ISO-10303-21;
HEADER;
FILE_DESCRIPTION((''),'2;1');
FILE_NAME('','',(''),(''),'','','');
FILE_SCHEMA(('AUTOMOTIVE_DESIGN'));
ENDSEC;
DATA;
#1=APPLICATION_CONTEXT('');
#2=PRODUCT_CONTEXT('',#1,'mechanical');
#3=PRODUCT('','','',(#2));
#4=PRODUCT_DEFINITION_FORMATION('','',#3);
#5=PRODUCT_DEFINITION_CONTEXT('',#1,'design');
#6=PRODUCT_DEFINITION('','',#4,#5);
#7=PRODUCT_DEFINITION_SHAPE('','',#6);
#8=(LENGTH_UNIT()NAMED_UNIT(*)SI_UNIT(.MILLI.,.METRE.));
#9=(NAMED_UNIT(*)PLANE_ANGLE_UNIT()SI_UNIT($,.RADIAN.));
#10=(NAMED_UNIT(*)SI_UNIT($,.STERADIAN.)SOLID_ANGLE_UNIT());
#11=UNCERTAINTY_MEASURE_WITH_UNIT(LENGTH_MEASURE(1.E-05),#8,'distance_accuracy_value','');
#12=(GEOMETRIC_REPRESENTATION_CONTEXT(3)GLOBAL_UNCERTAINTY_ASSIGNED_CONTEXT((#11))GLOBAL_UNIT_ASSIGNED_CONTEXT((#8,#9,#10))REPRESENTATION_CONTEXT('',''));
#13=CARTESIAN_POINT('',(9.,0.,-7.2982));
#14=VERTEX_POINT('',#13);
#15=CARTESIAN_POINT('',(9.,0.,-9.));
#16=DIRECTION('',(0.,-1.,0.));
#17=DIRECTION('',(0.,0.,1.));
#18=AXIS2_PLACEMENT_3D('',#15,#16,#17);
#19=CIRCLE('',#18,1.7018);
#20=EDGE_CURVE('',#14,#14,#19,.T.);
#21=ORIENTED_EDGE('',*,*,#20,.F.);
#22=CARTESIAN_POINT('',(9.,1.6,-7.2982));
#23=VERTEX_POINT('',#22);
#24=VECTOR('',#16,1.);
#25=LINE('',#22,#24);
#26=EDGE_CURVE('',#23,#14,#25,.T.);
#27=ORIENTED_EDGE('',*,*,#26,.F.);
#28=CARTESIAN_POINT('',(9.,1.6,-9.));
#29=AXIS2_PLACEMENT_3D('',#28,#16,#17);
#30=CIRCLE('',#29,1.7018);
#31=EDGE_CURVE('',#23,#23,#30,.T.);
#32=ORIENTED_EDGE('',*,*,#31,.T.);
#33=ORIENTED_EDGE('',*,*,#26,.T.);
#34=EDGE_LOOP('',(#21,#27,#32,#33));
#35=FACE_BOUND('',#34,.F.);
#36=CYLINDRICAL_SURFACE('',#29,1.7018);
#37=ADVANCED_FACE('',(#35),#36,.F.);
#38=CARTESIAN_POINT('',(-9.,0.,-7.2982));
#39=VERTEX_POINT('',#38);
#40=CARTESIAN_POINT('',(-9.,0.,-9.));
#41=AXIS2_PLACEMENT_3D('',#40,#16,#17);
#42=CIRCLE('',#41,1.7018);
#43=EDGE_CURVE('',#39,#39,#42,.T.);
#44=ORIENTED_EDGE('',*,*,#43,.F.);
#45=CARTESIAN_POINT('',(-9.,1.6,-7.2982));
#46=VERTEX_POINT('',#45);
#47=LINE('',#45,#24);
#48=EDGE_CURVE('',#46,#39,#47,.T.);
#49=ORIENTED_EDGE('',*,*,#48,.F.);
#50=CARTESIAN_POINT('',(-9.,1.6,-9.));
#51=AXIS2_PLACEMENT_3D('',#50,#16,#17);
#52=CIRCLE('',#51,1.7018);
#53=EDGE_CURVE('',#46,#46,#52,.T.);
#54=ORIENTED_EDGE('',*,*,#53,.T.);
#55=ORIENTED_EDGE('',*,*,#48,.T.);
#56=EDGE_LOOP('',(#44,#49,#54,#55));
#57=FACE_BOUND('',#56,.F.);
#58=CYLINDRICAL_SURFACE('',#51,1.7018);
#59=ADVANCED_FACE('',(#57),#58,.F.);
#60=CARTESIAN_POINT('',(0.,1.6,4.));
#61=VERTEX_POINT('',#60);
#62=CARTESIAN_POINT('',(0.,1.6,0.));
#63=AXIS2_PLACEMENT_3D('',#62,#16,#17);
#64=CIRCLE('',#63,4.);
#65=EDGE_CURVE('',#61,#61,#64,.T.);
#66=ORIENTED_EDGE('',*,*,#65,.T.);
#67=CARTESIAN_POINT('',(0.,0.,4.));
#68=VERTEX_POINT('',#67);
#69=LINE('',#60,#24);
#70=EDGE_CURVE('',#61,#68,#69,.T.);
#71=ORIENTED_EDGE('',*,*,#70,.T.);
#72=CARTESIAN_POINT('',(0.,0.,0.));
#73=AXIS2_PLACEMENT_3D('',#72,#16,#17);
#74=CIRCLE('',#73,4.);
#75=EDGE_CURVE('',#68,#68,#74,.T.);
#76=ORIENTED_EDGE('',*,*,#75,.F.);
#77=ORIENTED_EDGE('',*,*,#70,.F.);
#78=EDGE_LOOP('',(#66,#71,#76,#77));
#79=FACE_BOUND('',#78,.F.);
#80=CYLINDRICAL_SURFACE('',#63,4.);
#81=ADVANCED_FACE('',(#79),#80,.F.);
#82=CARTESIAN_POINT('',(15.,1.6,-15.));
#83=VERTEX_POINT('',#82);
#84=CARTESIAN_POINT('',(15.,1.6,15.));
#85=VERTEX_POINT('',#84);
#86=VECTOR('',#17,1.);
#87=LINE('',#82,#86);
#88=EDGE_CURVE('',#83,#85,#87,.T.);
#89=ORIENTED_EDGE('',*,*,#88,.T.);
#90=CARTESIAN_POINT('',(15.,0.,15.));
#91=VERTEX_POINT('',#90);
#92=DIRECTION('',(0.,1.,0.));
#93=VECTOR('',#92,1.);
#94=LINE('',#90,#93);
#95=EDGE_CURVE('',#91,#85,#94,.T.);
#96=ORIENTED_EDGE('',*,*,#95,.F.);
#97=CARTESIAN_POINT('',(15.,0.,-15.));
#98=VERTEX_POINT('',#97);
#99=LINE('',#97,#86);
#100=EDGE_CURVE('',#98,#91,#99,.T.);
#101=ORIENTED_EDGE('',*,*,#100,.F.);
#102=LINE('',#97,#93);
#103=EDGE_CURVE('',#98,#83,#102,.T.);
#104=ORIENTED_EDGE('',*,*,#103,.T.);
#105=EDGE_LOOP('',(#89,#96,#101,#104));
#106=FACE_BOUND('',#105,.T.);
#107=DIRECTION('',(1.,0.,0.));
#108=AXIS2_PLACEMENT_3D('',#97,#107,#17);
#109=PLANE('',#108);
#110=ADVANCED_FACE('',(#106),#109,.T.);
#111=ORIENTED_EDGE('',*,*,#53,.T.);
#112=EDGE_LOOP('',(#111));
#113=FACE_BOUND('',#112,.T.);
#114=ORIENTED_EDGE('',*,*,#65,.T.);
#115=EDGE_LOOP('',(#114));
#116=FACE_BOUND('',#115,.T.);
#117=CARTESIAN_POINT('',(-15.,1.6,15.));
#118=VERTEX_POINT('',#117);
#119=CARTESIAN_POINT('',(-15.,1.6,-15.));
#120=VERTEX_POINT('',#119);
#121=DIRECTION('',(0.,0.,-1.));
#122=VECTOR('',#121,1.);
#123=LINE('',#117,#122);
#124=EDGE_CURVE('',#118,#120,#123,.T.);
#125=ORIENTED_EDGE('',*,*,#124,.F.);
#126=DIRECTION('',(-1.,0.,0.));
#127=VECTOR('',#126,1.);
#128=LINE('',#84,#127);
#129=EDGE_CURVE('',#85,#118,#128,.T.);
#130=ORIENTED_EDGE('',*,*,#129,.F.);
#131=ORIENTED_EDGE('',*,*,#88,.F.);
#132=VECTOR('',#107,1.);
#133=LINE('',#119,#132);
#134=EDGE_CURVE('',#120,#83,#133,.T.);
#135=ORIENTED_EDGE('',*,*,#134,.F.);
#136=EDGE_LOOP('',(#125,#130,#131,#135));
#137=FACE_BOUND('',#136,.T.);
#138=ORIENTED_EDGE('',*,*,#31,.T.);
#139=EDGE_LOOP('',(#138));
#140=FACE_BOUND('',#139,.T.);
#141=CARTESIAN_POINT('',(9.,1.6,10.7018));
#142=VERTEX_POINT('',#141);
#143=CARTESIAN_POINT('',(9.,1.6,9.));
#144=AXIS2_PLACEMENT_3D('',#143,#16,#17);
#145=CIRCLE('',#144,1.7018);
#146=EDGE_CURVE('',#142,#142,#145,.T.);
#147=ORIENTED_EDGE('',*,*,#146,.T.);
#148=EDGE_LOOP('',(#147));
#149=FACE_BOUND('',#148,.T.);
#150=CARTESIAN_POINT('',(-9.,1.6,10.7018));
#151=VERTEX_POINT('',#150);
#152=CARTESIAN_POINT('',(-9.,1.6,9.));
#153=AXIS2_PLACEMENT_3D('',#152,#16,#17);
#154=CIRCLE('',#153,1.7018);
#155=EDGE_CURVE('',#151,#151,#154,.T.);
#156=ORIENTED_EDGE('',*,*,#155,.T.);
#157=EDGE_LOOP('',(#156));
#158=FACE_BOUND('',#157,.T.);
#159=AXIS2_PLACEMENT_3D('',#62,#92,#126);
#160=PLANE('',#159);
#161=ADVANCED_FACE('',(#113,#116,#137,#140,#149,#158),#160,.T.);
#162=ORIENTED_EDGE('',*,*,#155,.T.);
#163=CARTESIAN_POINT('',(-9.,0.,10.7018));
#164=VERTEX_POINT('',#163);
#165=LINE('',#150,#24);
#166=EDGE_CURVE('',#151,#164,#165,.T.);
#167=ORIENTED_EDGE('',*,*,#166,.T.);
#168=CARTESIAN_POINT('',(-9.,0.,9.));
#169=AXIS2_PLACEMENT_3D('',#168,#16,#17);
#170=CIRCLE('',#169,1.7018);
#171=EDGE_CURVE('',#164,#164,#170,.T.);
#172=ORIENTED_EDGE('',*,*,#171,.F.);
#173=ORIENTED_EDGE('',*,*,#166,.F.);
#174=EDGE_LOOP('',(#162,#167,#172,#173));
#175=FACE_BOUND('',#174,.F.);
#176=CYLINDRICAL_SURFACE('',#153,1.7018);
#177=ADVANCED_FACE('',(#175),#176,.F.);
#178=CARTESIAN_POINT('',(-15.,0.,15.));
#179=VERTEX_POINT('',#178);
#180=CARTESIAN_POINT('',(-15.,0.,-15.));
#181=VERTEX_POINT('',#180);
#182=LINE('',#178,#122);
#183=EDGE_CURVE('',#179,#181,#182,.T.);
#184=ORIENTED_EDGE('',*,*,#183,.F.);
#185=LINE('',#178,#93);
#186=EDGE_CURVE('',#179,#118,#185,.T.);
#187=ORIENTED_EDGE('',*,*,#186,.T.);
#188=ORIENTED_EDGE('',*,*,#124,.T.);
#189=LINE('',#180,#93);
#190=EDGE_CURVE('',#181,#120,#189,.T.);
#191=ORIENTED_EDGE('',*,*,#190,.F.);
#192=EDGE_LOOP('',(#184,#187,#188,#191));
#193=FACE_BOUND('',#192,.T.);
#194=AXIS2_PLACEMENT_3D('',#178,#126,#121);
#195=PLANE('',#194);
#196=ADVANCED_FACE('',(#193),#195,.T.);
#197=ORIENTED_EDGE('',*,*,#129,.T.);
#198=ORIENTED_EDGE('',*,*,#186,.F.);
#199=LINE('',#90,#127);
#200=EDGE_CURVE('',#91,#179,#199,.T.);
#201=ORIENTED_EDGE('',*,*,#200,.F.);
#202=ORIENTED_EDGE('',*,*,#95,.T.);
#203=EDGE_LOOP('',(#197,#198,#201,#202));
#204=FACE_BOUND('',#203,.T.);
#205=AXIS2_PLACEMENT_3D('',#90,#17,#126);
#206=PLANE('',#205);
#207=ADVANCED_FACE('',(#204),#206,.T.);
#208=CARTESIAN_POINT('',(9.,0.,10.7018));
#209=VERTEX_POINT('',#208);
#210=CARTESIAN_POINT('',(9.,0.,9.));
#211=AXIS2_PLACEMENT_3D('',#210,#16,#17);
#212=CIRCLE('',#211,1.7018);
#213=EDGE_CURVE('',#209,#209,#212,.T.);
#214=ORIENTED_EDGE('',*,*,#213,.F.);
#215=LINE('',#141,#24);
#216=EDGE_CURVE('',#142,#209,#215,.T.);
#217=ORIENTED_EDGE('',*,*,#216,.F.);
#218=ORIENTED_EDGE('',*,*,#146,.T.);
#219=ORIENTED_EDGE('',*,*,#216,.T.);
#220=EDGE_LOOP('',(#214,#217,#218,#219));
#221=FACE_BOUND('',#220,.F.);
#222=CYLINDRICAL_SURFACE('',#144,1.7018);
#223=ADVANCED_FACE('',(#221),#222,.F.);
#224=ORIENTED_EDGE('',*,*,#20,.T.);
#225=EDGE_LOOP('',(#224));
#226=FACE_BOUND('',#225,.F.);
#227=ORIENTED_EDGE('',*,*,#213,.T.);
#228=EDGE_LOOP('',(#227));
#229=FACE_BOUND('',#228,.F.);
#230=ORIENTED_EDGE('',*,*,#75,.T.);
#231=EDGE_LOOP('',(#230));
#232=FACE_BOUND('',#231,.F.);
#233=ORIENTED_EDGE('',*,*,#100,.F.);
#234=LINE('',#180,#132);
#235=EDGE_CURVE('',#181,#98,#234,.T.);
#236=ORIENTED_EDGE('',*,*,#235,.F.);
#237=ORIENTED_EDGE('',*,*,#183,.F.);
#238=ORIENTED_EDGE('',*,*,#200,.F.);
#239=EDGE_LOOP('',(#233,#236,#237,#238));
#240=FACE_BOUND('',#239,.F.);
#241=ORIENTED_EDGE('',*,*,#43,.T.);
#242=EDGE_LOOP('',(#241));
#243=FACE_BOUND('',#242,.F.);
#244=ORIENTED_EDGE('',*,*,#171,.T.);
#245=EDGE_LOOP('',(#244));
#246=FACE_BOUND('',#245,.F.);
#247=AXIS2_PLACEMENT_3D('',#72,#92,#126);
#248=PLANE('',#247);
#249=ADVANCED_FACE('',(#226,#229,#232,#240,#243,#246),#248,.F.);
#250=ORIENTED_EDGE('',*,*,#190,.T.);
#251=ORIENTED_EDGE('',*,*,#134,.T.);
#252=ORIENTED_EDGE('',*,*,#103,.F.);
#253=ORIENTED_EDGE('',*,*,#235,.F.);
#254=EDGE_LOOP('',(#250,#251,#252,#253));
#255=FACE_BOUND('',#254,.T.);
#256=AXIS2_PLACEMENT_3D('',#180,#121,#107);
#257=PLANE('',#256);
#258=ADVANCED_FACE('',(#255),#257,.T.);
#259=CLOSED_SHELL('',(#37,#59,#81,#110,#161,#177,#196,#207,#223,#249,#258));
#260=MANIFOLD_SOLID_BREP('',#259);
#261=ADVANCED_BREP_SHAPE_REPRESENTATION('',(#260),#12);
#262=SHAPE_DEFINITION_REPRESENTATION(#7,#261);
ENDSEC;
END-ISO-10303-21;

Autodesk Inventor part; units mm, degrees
ref_plane "YZ Plane" through (0, 0, 0) normal (1, 0, 0) x (0, 1, 0)
ref_plane "XZ Plane" through (0, 0, 0) normal (0, 1, 0) x (-1, 0, 0)
ref_plane "XY Plane" through (0, 0, 0) normal (0, 0, 1) x (1, 0, 0)
sketch "スケッチ1" plane through (0, 0, 0) normal (0, 1, 0) x (-1, 0, 0)
  line L0 (15, -15) -> (-15, -15)
  line L1 (-15, -15) -> (-15, 15)
  line L2 (-15, 15) -> (15, 15)
  line L3 (15, 15) -> (15, -15)
  line L4 (15, -15) -> (-15, 15) construction
  line L5 (-15, -15) -> (15, 15) construction
  point P0 (0, 0)
  point P1 (0, 0)
  dimension "d0" = 30
  dimension "d1" = 30
extrude "押し出し1" add sketch "スケッチ1" along normal blind 1.6
sketch "スケッチ3" plane through (0, 1.6, 0) normal (0, 1, 0) x (1, 0, 0)
  point P0 (0, 0)
  point P1 (0, 0)
  dimension "d17" = 0
hole "穴2" at (0, 1.6, 0) direction (0, -1, 0) diameter 8 depth 4.8
sketch "スケッチ4" plane through (0, 1.6, 0) normal (0, 1, 0) x (1, 0, 0)
  line L0 (15, 15) -> (-15, 15) projected
  line L1 (15, -15) -> (15, 15) projected
  point P0 (0, 0)
  point P1 (-9, -9)
  point P2 (9, -9)
  point P3 (9, 9)
  point P4 (-9, 9)
  dimension "d27" = 360
  dimension "d36" = 6
  dimension "d37" = 6
hole "穴3" at (-9, 1.6, 9) at (9, 1.6, 9) at (9, 1.6, -9) at (-9, 1.6, -9) direction (0, -1, 0) diameter 3.4036 depth 1.6 clearance for "Countersunk Flat Head Screw ISO 2009/7046" size "M3" standard "ISO"
properties part number "pcb" material "フェノール樹脂"
